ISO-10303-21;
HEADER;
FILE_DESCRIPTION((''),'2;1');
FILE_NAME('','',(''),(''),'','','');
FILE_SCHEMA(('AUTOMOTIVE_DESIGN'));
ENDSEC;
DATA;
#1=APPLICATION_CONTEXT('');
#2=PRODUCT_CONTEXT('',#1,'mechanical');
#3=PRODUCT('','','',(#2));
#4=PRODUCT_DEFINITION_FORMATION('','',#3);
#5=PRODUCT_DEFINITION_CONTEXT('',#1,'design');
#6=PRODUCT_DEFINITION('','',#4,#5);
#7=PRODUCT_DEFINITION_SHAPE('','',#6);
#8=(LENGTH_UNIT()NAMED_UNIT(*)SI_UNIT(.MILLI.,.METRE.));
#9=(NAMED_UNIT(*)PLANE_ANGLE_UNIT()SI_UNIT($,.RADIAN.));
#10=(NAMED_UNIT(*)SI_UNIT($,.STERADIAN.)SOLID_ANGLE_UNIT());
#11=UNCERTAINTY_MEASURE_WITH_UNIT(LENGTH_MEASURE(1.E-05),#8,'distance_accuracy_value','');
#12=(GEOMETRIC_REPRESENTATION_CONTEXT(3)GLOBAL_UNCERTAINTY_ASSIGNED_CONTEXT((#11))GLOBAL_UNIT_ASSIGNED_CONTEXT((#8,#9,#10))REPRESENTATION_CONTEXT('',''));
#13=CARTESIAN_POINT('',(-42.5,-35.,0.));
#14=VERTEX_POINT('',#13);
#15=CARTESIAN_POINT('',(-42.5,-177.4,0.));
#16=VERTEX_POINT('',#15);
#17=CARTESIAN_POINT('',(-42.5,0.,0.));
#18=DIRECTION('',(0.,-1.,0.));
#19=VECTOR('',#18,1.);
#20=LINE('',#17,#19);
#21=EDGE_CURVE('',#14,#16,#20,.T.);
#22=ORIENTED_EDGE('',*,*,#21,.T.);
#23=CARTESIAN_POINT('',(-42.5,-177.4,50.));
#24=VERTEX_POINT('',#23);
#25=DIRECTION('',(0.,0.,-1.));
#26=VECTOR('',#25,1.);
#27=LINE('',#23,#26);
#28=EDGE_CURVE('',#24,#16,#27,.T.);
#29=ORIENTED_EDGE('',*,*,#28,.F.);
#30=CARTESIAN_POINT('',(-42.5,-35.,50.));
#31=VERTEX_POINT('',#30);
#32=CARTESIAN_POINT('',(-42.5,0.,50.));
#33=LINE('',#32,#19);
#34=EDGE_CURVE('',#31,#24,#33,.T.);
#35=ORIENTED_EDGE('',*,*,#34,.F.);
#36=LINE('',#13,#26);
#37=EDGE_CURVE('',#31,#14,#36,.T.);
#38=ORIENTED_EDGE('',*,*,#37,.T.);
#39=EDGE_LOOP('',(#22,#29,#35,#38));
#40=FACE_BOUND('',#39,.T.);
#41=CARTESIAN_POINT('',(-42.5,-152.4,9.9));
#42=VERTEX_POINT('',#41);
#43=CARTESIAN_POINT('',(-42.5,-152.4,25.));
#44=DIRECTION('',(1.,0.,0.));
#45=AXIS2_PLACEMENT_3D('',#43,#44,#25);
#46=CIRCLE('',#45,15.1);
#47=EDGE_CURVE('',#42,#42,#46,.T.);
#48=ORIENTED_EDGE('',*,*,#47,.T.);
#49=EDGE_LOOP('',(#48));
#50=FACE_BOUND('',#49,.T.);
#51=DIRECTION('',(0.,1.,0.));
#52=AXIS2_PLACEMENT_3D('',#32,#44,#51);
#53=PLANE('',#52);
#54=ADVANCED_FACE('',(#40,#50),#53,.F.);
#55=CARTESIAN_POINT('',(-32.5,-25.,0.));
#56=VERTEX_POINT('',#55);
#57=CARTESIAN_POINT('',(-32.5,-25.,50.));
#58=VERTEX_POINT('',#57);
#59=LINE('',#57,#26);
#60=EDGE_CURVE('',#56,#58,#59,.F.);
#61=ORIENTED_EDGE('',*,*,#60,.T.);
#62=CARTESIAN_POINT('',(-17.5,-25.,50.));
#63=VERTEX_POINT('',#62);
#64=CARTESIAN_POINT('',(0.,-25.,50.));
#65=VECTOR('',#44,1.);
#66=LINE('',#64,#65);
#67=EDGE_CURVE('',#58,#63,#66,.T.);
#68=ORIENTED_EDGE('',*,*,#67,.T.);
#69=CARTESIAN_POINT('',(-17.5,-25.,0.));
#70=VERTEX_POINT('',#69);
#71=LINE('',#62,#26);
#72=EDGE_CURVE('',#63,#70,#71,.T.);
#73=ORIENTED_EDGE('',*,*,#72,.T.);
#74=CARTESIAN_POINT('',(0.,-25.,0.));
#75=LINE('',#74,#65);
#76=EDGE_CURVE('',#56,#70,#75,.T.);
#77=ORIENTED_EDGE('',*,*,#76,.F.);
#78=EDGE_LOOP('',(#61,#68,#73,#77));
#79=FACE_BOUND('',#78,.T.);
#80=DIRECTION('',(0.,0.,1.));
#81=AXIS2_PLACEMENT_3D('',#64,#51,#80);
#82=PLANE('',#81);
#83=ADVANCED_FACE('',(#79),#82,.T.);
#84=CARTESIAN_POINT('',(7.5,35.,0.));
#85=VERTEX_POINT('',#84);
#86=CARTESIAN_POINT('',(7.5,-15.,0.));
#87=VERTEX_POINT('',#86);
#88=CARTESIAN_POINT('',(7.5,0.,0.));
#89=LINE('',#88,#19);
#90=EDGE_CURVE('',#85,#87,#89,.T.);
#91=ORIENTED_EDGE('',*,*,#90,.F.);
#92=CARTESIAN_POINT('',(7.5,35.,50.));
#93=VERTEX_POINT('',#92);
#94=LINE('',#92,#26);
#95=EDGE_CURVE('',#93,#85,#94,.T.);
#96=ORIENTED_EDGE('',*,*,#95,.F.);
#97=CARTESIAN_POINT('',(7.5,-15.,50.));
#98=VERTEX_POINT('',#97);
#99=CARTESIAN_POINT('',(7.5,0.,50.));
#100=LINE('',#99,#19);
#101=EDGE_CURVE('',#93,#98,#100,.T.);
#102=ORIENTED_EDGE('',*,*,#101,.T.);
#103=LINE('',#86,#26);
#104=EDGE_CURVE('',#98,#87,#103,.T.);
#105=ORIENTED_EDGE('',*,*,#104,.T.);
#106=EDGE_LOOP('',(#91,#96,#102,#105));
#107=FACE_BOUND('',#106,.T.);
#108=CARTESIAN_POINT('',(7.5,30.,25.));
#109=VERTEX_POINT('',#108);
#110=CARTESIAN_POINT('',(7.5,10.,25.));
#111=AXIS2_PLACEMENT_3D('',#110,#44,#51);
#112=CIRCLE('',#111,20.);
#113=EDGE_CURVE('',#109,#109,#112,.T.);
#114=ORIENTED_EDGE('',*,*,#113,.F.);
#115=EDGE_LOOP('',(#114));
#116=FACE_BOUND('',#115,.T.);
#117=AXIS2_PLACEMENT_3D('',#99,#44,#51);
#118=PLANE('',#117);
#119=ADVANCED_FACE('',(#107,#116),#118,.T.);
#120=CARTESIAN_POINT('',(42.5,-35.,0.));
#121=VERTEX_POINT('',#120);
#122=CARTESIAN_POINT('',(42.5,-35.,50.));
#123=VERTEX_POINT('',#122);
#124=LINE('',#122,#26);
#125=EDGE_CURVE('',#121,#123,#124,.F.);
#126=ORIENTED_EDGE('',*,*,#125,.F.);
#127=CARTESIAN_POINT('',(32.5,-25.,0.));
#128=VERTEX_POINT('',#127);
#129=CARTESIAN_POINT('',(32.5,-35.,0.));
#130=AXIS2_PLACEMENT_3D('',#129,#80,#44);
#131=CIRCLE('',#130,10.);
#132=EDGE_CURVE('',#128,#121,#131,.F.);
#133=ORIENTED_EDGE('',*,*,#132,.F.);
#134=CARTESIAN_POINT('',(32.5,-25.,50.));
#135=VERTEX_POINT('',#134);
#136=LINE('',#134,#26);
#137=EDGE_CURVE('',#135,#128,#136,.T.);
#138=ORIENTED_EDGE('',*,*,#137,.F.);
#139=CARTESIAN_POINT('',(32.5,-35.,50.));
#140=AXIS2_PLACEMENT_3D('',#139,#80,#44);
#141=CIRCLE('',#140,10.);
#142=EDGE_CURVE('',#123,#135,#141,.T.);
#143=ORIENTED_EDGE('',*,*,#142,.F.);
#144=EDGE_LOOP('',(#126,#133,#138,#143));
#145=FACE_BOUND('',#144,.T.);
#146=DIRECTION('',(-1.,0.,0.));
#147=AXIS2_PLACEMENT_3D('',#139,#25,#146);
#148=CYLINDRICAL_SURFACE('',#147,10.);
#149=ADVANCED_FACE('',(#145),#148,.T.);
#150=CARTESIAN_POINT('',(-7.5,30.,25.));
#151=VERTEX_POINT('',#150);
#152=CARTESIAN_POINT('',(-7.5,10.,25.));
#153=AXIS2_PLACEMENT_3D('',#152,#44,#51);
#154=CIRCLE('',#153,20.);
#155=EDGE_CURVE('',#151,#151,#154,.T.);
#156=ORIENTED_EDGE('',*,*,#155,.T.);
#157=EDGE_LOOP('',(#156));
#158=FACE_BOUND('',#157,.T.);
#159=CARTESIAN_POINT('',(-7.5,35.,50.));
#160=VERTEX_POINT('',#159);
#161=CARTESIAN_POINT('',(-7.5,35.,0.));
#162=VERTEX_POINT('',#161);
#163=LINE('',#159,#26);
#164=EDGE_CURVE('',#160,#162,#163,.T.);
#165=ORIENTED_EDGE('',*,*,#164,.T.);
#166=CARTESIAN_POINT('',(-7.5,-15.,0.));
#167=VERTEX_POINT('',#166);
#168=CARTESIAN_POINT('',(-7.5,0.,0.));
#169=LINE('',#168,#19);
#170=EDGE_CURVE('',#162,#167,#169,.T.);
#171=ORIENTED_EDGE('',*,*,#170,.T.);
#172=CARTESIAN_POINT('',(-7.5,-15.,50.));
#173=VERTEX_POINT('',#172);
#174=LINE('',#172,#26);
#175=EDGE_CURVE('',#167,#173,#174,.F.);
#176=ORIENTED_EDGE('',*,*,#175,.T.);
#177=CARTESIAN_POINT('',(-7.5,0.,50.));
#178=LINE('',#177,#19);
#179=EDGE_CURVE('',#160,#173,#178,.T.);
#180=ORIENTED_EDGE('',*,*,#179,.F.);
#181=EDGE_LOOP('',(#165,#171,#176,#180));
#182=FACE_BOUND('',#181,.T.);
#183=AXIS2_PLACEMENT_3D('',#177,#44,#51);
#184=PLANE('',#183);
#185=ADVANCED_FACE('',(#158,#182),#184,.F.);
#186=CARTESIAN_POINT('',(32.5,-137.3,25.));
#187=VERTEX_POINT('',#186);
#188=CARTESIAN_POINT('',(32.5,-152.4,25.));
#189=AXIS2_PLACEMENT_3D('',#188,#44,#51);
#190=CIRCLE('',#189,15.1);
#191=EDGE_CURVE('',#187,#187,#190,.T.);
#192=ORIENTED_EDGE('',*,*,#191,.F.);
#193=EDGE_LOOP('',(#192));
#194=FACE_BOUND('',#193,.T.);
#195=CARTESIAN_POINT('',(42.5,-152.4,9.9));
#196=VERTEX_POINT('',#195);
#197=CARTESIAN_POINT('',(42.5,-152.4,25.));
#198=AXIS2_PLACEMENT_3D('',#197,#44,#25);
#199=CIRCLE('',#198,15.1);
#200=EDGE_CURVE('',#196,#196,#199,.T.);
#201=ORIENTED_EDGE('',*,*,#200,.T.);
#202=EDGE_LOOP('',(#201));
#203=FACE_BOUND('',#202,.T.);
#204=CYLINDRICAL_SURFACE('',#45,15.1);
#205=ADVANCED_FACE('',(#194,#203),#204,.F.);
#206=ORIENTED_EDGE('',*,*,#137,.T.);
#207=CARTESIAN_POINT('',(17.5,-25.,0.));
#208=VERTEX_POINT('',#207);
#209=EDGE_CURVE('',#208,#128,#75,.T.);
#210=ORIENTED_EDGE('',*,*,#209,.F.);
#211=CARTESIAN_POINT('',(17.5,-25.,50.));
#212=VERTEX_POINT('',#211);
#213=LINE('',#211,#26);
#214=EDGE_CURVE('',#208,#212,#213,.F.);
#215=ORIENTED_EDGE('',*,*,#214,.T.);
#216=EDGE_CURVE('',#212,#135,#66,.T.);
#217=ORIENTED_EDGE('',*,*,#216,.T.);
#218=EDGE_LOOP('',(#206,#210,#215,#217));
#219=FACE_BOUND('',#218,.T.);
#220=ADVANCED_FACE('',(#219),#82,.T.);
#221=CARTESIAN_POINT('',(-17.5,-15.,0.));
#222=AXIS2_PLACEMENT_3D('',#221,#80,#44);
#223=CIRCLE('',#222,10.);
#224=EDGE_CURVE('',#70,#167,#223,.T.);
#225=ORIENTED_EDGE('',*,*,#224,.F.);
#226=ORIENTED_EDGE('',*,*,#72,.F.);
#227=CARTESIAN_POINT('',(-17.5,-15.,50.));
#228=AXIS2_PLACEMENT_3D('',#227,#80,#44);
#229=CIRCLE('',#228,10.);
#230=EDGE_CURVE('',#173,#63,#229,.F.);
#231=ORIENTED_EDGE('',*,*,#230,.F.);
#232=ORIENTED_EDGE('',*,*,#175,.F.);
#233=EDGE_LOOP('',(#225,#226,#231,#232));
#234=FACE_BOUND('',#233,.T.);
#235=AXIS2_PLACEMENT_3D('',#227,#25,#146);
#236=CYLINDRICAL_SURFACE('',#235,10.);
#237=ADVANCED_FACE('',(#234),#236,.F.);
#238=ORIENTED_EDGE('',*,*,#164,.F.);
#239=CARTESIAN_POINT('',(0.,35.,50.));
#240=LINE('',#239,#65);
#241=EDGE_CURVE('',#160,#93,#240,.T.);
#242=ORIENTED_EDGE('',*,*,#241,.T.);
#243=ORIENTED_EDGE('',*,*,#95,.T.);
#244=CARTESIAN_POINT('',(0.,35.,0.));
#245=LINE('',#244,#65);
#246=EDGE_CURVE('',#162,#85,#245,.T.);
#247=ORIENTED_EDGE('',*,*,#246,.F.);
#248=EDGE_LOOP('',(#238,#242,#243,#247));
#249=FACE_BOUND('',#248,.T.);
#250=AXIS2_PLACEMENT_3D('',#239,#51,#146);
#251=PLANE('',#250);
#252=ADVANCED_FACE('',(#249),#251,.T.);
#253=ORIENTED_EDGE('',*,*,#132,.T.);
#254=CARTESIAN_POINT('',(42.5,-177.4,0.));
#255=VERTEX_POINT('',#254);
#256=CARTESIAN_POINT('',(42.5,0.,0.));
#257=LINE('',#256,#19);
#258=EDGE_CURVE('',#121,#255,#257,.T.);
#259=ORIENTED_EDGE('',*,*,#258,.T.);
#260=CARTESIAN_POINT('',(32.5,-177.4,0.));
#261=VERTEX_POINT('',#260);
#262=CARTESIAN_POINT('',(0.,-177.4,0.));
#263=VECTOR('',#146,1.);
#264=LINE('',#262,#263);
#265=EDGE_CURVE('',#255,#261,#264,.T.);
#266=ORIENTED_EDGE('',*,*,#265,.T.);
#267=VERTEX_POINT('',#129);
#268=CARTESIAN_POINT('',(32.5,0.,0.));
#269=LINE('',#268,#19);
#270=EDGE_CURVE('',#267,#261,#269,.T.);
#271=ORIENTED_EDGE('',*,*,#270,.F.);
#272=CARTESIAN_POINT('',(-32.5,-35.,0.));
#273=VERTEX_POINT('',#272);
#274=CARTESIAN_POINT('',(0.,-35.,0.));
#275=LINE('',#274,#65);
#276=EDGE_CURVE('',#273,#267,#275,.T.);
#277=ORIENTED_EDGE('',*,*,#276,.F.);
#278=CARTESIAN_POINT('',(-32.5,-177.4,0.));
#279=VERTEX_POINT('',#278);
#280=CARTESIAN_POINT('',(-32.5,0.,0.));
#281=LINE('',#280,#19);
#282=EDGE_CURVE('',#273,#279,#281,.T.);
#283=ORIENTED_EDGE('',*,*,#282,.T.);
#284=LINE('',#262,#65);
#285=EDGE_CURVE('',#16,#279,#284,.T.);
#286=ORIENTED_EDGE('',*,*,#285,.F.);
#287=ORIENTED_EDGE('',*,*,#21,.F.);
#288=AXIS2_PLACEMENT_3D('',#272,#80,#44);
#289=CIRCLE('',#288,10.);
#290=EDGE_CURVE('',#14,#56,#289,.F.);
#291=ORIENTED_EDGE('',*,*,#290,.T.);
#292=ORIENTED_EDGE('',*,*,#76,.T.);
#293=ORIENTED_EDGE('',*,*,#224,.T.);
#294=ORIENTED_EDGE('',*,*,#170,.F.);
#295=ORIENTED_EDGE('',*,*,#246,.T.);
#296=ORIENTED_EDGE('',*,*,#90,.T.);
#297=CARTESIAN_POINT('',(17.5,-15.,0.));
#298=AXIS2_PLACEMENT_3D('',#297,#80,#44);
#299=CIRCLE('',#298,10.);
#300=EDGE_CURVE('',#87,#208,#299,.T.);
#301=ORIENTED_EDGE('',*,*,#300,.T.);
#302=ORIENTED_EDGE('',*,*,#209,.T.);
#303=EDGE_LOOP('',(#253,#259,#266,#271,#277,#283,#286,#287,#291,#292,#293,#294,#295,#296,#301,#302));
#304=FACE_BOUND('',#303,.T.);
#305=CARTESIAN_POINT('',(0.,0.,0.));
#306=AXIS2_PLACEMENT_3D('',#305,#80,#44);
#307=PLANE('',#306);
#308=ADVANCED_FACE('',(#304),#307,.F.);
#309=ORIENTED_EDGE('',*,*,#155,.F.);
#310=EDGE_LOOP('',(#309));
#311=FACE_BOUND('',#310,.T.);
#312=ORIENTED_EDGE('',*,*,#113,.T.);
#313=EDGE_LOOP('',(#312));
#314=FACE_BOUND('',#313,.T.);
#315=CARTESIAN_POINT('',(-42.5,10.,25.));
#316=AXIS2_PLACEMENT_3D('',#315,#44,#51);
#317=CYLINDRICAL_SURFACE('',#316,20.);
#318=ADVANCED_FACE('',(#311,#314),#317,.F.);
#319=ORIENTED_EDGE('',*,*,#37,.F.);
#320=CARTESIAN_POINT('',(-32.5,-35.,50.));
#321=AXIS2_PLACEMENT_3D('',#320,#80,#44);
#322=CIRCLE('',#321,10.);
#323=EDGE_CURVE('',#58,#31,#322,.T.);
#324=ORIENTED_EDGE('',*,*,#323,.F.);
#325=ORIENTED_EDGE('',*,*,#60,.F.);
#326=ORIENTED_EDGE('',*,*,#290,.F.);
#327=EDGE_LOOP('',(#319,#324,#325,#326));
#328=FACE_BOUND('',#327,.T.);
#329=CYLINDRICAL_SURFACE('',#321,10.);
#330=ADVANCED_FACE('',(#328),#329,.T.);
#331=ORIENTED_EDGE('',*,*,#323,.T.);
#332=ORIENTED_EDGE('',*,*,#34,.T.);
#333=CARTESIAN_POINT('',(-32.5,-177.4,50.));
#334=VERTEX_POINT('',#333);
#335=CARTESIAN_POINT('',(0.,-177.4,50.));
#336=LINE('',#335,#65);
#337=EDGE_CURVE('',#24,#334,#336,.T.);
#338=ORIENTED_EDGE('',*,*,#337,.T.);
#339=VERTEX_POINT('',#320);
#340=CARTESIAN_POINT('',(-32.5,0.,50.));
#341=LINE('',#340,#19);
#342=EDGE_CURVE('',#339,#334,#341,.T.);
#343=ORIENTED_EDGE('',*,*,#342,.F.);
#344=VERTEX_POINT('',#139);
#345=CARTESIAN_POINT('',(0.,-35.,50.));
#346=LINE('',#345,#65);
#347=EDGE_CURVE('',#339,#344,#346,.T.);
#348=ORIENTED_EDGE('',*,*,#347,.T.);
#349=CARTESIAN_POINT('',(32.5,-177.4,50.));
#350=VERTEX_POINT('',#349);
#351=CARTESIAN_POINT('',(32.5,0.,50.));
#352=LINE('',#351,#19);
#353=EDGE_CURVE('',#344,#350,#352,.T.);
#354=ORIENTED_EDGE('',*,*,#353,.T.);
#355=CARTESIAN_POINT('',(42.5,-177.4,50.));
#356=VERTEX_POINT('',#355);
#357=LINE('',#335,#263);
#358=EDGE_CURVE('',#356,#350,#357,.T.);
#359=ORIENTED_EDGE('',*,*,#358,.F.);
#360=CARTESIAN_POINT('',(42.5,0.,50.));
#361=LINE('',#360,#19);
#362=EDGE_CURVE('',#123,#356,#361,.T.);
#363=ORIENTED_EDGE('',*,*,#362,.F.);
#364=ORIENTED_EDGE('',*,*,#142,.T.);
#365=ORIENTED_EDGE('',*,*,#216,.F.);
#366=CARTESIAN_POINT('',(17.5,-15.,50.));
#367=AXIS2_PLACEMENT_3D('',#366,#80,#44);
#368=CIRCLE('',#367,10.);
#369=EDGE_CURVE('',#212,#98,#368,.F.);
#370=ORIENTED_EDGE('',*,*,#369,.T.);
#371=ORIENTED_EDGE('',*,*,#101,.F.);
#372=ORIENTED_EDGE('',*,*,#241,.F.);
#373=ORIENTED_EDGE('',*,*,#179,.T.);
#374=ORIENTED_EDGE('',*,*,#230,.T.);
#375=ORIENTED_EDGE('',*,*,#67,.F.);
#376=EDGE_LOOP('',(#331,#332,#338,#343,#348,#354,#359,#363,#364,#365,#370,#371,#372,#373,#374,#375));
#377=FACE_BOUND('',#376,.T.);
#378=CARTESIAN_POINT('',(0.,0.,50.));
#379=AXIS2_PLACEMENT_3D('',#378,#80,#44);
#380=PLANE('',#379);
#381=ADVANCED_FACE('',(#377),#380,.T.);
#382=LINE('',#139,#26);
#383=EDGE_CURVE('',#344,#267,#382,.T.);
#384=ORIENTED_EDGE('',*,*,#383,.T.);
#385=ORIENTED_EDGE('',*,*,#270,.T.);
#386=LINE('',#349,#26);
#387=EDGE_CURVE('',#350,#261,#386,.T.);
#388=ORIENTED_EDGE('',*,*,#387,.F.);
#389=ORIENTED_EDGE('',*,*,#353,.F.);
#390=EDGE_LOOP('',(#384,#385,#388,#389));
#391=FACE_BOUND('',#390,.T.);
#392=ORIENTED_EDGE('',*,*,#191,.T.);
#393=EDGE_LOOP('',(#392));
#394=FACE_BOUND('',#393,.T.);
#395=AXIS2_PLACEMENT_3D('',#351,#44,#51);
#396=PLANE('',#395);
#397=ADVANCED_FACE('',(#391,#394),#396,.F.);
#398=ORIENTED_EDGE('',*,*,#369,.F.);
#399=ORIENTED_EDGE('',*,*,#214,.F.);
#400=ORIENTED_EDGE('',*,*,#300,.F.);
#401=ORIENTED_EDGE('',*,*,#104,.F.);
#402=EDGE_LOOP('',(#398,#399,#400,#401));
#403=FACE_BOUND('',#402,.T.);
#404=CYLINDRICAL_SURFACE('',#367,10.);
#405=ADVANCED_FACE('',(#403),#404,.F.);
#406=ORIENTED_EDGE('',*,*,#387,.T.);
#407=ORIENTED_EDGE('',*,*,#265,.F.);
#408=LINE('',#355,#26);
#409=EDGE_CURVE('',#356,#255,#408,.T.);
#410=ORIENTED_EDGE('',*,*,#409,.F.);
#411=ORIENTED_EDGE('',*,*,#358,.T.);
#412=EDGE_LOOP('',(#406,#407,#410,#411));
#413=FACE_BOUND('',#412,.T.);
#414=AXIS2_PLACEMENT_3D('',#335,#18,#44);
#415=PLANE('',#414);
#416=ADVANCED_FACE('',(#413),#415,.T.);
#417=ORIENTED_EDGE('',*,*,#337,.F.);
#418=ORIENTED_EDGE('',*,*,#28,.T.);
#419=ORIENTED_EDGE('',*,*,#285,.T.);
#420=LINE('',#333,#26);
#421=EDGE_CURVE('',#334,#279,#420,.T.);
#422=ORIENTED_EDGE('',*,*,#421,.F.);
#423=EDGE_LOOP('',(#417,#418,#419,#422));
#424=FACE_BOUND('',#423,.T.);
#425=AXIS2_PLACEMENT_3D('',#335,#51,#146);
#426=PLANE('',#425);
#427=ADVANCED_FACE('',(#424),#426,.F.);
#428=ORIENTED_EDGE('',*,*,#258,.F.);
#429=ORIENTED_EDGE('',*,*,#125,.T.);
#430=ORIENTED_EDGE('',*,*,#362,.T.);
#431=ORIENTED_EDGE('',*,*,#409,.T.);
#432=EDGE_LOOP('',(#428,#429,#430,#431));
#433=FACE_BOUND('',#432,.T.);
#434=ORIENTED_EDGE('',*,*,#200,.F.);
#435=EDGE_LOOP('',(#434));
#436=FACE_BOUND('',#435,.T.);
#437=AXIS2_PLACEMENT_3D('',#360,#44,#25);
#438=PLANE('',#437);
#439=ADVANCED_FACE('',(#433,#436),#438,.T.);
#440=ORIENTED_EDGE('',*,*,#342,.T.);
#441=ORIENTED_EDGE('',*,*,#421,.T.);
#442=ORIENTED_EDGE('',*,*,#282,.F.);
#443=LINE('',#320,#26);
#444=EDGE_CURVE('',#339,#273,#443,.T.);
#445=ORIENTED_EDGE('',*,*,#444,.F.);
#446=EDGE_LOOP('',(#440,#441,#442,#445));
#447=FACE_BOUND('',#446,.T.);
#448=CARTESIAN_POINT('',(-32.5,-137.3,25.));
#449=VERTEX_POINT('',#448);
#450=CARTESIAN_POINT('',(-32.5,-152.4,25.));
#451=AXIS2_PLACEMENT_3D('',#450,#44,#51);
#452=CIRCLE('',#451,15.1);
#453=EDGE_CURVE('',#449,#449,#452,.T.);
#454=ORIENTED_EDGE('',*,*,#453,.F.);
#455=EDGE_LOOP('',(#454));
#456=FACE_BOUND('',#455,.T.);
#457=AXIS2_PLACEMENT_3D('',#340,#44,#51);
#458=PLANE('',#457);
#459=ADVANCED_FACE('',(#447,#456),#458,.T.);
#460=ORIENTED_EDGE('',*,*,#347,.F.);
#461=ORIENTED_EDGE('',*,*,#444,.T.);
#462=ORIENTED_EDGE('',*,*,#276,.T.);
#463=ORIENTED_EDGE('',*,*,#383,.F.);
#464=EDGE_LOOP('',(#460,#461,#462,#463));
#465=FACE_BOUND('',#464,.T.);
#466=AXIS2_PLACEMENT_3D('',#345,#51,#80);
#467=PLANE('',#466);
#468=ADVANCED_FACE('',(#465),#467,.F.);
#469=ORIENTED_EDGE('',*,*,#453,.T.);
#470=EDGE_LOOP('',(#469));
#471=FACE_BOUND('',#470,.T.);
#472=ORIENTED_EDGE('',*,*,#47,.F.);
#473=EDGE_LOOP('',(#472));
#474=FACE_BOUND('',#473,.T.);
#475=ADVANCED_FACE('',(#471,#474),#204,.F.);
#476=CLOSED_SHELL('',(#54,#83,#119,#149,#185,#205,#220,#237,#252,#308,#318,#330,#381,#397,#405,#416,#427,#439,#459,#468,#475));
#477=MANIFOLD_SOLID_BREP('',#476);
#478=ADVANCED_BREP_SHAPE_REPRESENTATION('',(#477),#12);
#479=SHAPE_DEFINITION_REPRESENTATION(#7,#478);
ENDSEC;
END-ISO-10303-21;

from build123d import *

# Parameters (mm, degrees)
SKETCH1_W               = 10
SKETCH1_H               = 142.4
SKETCH1_H_2             = 10
SKETCH1_W_2             = 25
SKETCH1_W_3             = 15
SKETCH1_H_3             = 60
BOSS_EXTRUDE1_DEPTH     = 50
FILLET1_R               = 10
SKETCH2_R               = 20
CUT_EXTRUDE1_DEPTH      = 36
CUT_EXTRUDE1_DEPTH_BACK = 51
SKETCH3_R               = 15.1
CUT_EXTRUDE2_DEPTH      = 1
CUT_EXTRUDE2_DEPTH_BACK = 86


with BuildPart() as part:
    # Sketch1 → Boss-Extrude1 (new body)
    with BuildSketch(Plane.XY):
        with Locations((-37.5, -106.2)):
            Rectangle(SKETCH1_W, SKETCH1_H)
        with Locations((-37.5, -30)):
            Rectangle(SKETCH1_W, SKETCH1_H_2)
        with Locations((-20, -30)):
            Rectangle(SKETCH1_W_2, SKETCH1_H_2)
        with Locations((0, -30)):
            Rectangle(SKETCH1_W_3, SKETCH1_H_2)
        with Locations((0, 5)):
            Rectangle(SKETCH1_W_3, SKETCH1_H_3)
        with Locations((20, -30)):
            Rectangle(SKETCH1_W_2, SKETCH1_H_2)
        with Locations((37.5, -30)):
            Rectangle(SKETCH1_W, SKETCH1_H_2)
        with Locations((37.5, -106.2)):
            Rectangle(SKETCH1_W, SKETCH1_H)
    extrude(amount=BOSS_EXTRUDE1_DEPTH)

    # Fillet1
    fillet1_edges = [part.edges().sort_by_distance(p)[0] for p in [
        (-42.5, -25, 25),
        (-7.5, -25, 25),
        (7.5, -25, 25),
        (42.5, -25, 25),
    ]]
    fillet(fillet1_edges, radius=FILLET1_R)

    # Sketch2 → Cut-Extrude1 (cut, two sides)
    with BuildSketch(Plane(origin=(7.5, 0, 0), x_dir=(0, 0, -1), z_dir=(1, 0, 0))) as cut_extrude1_sk:
        with Locations((-25, 10)):
            Circle(SKETCH2_R)
    extrude(amount=CUT_EXTRUDE1_DEPTH, mode=Mode.SUBTRACT)
    extrude(cut_extrude1_sk.sketch, amount=-CUT_EXTRUDE1_DEPTH_BACK, mode=Mode.SUBTRACT)

    # Sketch3 → Cut-Extrude2 (cut, two sides)
    with BuildSketch(Plane(origin=(42.5, 0, 0), x_dir=(0, 0, -1), z_dir=(1, 0, 0))) as cut_extrude2_sk:
        with Locations((-25, -152.4)):
            Circle(SKETCH3_R)
    extrude(amount=CUT_EXTRUDE2_DEPTH, mode=Mode.SUBTRACT)
    extrude(cut_extrude2_sk.sketch, amount=-CUT_EXTRUDE2_DEPTH_BACK, mode=Mode.SUBTRACT)


solid = part.part
